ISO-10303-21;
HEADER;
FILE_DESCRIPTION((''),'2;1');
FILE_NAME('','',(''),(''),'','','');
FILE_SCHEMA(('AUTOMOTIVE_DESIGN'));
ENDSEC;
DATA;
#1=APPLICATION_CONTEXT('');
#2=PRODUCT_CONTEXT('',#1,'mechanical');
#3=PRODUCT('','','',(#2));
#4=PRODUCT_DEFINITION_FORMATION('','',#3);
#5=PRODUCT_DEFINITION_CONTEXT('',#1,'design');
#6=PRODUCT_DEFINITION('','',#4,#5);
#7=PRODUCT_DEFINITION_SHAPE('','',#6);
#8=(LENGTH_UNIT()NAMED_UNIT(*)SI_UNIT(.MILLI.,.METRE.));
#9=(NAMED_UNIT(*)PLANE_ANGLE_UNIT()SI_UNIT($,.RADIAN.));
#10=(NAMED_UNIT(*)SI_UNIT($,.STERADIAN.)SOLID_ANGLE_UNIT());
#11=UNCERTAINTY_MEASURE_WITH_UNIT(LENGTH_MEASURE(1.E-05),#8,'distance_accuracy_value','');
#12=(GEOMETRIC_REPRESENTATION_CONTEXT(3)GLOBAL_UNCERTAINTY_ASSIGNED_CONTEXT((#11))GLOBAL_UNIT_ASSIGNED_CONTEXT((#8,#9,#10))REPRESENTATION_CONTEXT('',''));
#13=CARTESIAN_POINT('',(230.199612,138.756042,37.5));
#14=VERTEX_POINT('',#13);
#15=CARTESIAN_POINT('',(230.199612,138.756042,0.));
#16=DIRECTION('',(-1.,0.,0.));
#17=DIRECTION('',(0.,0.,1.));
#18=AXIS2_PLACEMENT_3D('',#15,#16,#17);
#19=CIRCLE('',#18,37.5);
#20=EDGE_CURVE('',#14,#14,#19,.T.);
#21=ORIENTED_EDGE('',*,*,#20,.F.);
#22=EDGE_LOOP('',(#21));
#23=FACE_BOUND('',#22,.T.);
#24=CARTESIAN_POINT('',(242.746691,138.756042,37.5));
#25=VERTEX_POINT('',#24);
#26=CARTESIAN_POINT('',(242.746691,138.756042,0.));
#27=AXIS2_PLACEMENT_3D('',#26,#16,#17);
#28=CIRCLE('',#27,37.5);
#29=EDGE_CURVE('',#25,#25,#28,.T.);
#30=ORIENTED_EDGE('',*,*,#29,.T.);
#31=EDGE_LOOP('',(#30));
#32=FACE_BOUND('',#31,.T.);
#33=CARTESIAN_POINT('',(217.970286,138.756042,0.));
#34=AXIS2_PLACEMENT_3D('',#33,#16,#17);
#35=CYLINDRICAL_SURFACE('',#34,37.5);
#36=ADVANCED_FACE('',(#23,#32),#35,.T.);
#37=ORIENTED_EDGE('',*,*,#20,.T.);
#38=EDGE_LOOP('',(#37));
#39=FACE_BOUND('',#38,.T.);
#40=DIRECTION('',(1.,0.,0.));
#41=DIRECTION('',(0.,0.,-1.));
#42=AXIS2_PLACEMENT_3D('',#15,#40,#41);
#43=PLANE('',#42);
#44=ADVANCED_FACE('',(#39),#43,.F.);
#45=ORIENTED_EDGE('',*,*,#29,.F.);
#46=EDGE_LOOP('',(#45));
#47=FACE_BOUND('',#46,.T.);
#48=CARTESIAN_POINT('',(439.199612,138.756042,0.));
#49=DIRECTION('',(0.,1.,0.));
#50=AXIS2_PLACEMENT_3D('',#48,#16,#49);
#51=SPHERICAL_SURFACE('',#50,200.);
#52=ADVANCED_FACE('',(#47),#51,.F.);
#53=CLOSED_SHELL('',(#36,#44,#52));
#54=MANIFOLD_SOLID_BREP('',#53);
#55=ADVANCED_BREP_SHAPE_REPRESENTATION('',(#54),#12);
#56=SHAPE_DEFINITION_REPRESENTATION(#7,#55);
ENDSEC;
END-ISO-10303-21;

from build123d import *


with BuildPart() as part:
    # 草图1 → 旋转1 (revolve)
    with BuildSketch(Plane.XY):
        with BuildLine():
            Line((230.199611905, 138.756042247), (230.199611905, 176.256042247))
            Line((230.199611905, 176.256042247), (242.746691363, 176.256042247))
            ThreePointArc((242.746691363, 176.256042247), (240.088356456, 157.589733949), (239.199611931, 138.756042247))
            Line((239.199611931, 138.756042247), (230.199611905, 138.756042247))
        make_face()
    revolve(axis=Axis((217.970286004, 138.756042247, 0), (1, 0, 0)))


solid = part.part
